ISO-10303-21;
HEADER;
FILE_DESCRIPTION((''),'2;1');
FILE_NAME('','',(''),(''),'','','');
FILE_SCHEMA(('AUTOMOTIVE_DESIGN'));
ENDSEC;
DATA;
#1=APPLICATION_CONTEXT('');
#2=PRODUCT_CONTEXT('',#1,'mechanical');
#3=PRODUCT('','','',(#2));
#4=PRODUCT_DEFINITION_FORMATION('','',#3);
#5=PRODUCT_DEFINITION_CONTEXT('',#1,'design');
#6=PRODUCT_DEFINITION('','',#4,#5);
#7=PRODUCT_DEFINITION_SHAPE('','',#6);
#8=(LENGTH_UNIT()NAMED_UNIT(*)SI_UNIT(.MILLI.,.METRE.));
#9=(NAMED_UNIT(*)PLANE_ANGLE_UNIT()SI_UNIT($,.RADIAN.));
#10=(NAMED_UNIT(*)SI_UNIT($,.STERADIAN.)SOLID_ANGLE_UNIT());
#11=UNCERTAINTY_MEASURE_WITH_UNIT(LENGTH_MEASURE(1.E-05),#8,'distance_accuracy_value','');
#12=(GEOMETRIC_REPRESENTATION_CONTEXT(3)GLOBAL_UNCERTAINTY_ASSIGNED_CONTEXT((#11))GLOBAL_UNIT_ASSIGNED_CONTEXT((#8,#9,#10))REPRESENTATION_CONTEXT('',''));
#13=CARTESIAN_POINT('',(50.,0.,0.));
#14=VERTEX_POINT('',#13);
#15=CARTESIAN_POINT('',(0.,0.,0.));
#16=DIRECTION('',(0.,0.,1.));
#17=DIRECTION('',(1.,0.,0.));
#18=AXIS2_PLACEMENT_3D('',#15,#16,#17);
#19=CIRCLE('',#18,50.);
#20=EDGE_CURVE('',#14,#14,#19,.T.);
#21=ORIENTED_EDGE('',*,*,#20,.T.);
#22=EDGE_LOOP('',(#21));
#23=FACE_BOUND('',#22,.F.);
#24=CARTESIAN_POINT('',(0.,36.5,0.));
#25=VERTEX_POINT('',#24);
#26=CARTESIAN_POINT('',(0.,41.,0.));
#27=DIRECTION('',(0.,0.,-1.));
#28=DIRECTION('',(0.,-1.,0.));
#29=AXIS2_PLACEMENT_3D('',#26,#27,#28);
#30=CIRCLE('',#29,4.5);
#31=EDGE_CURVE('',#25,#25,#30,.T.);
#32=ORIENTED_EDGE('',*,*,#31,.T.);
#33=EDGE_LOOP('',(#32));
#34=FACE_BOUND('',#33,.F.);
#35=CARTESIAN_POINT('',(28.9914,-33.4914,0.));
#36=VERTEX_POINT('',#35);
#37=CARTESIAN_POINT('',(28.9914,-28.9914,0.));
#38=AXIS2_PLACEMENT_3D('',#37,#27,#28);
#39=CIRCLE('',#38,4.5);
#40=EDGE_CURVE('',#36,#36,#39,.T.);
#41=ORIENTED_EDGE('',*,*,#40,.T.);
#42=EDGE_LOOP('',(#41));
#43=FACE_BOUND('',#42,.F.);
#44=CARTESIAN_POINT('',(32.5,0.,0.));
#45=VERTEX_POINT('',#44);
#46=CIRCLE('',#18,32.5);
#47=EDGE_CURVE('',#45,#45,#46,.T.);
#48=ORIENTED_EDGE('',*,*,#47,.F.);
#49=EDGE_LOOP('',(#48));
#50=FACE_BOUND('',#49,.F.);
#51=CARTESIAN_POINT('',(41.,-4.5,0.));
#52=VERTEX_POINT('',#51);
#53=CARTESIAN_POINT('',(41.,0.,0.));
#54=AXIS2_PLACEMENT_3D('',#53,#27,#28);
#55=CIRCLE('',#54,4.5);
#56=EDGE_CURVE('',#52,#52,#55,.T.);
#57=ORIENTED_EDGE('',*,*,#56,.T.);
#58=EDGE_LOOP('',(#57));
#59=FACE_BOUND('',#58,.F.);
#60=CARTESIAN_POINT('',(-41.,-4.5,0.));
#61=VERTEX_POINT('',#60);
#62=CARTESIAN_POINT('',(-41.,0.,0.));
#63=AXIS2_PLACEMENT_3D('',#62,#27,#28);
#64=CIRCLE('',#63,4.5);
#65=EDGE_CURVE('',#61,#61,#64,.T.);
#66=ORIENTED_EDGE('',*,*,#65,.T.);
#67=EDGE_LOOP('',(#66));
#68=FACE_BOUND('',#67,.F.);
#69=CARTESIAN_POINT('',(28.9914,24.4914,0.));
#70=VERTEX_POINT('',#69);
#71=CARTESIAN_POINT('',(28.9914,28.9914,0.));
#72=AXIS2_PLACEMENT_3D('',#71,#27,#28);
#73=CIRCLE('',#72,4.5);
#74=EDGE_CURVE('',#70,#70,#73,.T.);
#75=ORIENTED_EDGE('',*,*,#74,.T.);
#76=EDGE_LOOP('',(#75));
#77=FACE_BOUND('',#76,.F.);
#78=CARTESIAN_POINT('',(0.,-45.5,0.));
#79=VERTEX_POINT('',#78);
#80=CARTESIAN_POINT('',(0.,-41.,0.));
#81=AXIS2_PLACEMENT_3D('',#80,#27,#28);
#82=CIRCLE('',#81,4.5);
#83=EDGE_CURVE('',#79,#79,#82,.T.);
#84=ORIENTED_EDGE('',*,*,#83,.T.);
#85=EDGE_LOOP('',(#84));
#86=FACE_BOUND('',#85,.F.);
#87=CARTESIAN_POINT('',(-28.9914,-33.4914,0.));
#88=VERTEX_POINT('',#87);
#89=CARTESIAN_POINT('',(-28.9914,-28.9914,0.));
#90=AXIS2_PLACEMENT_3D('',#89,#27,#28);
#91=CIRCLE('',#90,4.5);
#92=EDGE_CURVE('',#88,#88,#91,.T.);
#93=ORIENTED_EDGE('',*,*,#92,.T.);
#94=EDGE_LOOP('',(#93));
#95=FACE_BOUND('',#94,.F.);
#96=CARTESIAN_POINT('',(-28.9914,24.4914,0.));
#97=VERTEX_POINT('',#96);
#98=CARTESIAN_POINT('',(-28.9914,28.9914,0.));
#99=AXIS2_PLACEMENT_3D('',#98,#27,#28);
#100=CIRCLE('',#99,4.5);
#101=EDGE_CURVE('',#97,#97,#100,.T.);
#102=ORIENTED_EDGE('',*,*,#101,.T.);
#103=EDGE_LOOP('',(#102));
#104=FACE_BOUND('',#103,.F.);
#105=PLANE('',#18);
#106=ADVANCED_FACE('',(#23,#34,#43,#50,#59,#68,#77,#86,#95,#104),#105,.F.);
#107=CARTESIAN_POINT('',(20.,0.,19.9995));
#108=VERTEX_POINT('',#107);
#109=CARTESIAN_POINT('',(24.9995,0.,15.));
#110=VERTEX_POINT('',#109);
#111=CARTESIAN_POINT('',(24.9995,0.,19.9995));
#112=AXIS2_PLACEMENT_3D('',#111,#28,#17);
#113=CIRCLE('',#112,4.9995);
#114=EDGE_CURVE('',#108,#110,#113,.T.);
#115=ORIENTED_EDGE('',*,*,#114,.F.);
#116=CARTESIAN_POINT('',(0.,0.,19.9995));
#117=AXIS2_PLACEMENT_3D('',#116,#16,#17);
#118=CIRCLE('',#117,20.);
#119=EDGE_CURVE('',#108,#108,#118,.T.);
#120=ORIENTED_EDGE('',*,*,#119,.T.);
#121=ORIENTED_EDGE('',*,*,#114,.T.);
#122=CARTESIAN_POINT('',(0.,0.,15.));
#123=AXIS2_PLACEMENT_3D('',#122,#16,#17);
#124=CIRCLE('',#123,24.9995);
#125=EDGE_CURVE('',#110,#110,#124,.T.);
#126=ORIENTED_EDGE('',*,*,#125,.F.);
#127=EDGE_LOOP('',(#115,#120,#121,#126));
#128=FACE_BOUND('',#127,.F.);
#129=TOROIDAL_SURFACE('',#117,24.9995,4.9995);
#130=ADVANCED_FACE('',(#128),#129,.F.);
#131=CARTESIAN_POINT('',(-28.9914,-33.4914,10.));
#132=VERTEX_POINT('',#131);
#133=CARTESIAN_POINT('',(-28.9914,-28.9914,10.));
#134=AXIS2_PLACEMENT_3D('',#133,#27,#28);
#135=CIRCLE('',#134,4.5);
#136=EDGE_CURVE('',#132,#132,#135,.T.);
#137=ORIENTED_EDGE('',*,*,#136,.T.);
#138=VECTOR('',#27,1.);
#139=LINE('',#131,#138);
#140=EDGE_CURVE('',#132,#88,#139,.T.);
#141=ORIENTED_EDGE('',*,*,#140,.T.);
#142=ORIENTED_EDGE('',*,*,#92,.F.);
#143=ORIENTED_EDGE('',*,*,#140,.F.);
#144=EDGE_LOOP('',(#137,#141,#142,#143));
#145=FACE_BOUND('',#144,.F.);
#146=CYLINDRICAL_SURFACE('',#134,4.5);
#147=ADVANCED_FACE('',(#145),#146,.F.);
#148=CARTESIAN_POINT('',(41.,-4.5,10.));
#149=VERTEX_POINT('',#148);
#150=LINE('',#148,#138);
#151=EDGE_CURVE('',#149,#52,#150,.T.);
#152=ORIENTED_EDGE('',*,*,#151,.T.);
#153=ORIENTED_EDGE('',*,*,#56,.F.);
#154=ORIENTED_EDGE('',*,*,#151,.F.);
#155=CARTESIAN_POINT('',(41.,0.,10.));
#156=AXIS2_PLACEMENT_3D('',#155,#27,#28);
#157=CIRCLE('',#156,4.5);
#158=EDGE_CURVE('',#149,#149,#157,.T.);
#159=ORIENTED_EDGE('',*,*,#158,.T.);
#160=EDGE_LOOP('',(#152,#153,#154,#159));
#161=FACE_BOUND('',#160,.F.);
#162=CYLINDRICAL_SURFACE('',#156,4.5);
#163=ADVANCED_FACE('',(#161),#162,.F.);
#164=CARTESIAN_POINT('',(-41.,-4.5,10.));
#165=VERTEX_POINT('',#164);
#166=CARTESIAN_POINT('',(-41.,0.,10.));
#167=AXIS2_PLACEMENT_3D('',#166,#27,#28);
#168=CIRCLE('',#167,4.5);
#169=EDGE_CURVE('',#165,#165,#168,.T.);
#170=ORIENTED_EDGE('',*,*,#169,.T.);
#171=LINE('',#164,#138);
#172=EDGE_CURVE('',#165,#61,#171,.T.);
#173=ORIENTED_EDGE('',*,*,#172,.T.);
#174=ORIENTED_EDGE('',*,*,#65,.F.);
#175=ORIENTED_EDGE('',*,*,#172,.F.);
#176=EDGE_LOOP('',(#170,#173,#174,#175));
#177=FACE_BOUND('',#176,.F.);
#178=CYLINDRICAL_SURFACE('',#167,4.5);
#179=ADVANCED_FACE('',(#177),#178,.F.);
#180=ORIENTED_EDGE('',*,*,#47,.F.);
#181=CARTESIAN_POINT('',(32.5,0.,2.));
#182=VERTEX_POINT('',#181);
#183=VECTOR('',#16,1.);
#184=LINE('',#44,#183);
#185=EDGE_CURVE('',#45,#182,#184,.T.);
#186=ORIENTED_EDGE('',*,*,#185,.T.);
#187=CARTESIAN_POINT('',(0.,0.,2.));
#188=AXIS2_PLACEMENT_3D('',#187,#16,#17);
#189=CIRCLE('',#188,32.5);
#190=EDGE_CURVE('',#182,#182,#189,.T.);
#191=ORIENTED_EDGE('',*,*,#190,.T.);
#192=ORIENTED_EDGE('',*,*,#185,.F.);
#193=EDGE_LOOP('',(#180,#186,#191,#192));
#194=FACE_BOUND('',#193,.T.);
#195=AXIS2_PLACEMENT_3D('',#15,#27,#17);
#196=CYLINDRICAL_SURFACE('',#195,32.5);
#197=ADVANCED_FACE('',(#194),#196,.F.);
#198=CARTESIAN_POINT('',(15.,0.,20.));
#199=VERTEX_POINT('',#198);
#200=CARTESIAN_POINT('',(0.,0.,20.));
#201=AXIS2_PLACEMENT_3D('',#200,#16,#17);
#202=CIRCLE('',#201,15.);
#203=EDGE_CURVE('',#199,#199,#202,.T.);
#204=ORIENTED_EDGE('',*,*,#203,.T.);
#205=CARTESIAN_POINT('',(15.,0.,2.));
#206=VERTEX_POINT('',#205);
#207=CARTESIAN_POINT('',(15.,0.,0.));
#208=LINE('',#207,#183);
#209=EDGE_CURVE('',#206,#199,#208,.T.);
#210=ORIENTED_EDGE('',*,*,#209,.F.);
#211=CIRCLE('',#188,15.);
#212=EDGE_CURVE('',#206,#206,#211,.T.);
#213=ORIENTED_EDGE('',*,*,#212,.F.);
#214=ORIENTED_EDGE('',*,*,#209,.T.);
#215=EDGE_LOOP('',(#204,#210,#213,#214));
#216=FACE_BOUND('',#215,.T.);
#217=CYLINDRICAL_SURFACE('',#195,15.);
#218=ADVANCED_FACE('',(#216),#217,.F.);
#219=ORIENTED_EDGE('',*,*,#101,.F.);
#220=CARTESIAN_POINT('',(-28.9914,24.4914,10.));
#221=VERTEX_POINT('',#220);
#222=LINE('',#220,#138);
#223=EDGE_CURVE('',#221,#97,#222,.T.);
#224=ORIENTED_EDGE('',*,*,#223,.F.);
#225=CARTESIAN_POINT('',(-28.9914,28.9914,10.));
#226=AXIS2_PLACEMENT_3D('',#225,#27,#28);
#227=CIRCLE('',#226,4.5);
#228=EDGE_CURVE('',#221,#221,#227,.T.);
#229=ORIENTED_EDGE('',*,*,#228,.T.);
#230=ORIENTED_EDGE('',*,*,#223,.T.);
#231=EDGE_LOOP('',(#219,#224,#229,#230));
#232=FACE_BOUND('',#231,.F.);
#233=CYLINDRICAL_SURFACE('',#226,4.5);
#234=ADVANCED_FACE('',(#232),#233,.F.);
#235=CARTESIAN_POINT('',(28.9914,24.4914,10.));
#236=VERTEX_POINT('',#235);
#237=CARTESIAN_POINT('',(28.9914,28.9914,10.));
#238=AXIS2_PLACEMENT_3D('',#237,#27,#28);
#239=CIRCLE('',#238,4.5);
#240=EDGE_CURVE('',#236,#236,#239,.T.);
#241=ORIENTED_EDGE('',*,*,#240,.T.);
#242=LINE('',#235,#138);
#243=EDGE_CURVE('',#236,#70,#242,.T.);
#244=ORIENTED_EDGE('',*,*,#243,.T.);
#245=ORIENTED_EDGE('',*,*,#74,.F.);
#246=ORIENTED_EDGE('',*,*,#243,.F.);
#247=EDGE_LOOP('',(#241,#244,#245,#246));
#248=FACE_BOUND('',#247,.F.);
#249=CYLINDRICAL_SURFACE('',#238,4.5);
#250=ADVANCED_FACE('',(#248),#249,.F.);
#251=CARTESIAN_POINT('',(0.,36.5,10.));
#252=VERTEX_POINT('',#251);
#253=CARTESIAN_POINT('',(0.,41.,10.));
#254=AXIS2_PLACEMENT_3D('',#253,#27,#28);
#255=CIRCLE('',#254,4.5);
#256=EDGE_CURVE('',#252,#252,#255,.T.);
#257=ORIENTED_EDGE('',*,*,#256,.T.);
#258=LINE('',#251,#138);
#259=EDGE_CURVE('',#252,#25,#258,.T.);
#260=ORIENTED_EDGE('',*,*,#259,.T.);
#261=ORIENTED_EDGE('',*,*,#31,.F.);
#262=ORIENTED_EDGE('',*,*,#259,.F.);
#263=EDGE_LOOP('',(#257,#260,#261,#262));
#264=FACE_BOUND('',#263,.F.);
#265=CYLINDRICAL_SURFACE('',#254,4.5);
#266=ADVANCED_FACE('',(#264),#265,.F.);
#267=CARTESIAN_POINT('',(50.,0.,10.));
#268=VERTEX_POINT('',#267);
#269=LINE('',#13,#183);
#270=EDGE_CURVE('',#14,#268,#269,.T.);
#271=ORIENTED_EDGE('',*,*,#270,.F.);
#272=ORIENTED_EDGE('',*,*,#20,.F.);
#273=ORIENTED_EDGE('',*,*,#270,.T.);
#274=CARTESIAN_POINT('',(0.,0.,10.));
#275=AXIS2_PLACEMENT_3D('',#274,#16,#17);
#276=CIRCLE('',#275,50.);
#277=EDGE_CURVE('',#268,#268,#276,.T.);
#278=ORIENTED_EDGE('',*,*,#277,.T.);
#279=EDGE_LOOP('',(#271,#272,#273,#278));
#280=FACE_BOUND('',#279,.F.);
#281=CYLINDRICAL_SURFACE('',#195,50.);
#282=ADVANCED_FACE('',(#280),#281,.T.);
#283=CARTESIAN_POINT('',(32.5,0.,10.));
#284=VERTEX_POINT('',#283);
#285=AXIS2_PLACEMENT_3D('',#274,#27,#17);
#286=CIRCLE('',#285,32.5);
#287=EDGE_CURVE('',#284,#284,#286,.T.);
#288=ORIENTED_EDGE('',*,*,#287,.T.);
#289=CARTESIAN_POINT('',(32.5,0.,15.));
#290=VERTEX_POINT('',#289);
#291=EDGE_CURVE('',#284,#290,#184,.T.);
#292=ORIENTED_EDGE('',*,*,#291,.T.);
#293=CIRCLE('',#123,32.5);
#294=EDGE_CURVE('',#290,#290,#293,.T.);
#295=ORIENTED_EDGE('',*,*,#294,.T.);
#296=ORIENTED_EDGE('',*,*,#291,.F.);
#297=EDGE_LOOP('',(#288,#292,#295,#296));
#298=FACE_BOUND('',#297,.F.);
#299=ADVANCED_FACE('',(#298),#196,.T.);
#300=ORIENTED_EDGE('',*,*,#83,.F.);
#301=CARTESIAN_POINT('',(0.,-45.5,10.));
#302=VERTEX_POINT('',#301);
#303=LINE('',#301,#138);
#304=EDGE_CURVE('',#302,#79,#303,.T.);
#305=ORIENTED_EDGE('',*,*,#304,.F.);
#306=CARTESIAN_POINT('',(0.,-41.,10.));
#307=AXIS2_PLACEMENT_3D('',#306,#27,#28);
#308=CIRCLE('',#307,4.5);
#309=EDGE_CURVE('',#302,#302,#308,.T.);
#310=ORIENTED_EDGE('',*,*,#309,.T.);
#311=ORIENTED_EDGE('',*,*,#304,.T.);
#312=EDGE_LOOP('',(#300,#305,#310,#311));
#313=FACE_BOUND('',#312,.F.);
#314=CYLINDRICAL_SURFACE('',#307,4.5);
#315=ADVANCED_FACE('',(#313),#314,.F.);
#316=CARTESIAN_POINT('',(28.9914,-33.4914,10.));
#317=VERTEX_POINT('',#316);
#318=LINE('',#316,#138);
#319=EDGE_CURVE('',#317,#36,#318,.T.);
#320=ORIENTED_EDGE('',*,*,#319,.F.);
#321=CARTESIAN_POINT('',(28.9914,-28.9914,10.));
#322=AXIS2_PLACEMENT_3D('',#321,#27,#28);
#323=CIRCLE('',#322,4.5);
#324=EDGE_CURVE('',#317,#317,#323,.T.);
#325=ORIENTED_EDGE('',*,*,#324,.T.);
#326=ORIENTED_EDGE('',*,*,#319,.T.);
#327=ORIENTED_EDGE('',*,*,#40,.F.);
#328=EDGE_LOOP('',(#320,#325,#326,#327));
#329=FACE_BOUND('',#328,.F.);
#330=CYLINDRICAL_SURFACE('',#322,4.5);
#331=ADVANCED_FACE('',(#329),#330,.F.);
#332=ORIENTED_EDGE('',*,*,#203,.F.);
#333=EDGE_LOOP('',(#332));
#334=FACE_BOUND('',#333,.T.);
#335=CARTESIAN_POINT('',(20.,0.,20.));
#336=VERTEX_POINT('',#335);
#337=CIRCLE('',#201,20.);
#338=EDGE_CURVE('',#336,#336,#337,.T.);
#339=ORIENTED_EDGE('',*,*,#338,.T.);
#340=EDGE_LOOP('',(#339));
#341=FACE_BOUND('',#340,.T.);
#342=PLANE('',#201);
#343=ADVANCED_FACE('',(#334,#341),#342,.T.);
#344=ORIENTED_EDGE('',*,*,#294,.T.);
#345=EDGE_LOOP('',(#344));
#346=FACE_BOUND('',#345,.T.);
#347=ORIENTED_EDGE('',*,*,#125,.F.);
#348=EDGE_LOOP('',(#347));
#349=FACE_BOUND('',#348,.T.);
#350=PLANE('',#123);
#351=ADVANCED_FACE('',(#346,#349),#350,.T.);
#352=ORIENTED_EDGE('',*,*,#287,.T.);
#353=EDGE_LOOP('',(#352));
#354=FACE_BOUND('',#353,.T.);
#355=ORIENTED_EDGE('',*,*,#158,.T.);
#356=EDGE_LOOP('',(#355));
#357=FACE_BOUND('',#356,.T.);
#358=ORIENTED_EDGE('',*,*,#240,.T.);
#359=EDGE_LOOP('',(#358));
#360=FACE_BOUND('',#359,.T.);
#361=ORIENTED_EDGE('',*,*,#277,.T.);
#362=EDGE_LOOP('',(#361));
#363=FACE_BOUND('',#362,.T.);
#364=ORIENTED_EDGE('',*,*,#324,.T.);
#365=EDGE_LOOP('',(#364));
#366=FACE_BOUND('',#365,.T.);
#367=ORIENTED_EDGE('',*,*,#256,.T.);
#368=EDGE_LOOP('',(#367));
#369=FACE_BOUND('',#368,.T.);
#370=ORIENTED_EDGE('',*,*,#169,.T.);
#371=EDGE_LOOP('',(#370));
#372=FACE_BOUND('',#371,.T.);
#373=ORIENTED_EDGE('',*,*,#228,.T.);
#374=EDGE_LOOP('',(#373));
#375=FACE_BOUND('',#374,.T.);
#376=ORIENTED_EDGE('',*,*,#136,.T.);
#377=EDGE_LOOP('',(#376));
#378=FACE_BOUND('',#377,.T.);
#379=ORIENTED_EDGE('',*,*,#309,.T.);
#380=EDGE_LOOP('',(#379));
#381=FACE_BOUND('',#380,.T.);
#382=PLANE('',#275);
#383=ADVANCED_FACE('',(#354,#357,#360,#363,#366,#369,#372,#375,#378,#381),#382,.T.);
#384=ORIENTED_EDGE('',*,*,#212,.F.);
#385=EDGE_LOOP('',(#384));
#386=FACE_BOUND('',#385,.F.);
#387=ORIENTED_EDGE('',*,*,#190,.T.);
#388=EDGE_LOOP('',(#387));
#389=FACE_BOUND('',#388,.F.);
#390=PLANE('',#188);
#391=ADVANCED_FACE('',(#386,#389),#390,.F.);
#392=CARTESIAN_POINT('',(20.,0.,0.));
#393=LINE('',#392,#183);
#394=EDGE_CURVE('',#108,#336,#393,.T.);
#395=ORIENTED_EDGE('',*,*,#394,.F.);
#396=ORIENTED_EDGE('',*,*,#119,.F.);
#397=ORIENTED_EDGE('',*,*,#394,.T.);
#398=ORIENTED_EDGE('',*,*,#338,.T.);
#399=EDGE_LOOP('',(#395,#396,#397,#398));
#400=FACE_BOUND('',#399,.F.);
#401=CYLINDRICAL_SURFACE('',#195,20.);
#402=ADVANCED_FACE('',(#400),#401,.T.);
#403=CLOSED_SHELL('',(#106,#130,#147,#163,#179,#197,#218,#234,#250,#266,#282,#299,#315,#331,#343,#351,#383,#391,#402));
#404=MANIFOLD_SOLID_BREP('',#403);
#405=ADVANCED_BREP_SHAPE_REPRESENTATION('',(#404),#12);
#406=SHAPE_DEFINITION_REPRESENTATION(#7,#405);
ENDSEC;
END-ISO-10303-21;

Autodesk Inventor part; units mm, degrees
ref_plane "YZ Plane" through (0, 0, 0) normal (1, 0, 0) x (0, 1, 0)
ref_plane "XZ Plane" through (0, 0, 0) normal (0, 1, 0) x (-1, 0, 0)
ref_plane "XY Plane" through (0, 0, 0) normal (0, 0, 1) x (1, 0, 0)
sketch "Sketch1" plane through (0, 0, 0) normal (0, 0, 1) x (1, 0, 0)
  circle A0 centre (0, 0) radius 15
  circle A1 centre (0, 0) radius 20
  circle A2 centre (0, 0) radius 32.5
  circle A3 centre (0, 0) radius 50
  dimension "d0" = 30
  dimension "d1" = 40
  dimension "d2" = 65
  dimension "d3" = 100
extrude "Extrusion1" add sketch "Sketch1" along normal blind 10 contours A2 | A3
extrude "Extrusion2" add sketch "Sketch1" along normal blind 20 contours A1
extrude "Extrusion3" add sketch "Sketch1" along normal blind 15 contours A2
fillet "Fillet1" radius 5 1 edges at (-20, 0, 15)
extrude "Extrusion4" cut sketch "Sketch1" along normal blind 2 contours A1 | A2
sketch "Sketch3" plane through (0, 0, 10) normal (0, 0, 1) x (1, 0, 0)
  point P0 (41, 0)
  point P1 (0, 41)
  point P2 (-28.9914, 28.9914)
  point P3 (-41, 0)
  point P4 (-28.9914, -28.9914)
  point P5 (0, -41)
  point P6 (28.9914, -28.9914)
  point P7 (28.9914, 28.9914)
hole "Hole2" at (41, 0, 10) at (0, 41, 10) at (-28.9914, 28.9914, 10) at (-41, 0, 10) at (-28.9914, -28.9914, 10) at (0, -41, 10) at (28.9914, -28.9914, 10) at (28.9914, 28.9914, 10) direction (0, 0, -1) diameter 9 end through all
